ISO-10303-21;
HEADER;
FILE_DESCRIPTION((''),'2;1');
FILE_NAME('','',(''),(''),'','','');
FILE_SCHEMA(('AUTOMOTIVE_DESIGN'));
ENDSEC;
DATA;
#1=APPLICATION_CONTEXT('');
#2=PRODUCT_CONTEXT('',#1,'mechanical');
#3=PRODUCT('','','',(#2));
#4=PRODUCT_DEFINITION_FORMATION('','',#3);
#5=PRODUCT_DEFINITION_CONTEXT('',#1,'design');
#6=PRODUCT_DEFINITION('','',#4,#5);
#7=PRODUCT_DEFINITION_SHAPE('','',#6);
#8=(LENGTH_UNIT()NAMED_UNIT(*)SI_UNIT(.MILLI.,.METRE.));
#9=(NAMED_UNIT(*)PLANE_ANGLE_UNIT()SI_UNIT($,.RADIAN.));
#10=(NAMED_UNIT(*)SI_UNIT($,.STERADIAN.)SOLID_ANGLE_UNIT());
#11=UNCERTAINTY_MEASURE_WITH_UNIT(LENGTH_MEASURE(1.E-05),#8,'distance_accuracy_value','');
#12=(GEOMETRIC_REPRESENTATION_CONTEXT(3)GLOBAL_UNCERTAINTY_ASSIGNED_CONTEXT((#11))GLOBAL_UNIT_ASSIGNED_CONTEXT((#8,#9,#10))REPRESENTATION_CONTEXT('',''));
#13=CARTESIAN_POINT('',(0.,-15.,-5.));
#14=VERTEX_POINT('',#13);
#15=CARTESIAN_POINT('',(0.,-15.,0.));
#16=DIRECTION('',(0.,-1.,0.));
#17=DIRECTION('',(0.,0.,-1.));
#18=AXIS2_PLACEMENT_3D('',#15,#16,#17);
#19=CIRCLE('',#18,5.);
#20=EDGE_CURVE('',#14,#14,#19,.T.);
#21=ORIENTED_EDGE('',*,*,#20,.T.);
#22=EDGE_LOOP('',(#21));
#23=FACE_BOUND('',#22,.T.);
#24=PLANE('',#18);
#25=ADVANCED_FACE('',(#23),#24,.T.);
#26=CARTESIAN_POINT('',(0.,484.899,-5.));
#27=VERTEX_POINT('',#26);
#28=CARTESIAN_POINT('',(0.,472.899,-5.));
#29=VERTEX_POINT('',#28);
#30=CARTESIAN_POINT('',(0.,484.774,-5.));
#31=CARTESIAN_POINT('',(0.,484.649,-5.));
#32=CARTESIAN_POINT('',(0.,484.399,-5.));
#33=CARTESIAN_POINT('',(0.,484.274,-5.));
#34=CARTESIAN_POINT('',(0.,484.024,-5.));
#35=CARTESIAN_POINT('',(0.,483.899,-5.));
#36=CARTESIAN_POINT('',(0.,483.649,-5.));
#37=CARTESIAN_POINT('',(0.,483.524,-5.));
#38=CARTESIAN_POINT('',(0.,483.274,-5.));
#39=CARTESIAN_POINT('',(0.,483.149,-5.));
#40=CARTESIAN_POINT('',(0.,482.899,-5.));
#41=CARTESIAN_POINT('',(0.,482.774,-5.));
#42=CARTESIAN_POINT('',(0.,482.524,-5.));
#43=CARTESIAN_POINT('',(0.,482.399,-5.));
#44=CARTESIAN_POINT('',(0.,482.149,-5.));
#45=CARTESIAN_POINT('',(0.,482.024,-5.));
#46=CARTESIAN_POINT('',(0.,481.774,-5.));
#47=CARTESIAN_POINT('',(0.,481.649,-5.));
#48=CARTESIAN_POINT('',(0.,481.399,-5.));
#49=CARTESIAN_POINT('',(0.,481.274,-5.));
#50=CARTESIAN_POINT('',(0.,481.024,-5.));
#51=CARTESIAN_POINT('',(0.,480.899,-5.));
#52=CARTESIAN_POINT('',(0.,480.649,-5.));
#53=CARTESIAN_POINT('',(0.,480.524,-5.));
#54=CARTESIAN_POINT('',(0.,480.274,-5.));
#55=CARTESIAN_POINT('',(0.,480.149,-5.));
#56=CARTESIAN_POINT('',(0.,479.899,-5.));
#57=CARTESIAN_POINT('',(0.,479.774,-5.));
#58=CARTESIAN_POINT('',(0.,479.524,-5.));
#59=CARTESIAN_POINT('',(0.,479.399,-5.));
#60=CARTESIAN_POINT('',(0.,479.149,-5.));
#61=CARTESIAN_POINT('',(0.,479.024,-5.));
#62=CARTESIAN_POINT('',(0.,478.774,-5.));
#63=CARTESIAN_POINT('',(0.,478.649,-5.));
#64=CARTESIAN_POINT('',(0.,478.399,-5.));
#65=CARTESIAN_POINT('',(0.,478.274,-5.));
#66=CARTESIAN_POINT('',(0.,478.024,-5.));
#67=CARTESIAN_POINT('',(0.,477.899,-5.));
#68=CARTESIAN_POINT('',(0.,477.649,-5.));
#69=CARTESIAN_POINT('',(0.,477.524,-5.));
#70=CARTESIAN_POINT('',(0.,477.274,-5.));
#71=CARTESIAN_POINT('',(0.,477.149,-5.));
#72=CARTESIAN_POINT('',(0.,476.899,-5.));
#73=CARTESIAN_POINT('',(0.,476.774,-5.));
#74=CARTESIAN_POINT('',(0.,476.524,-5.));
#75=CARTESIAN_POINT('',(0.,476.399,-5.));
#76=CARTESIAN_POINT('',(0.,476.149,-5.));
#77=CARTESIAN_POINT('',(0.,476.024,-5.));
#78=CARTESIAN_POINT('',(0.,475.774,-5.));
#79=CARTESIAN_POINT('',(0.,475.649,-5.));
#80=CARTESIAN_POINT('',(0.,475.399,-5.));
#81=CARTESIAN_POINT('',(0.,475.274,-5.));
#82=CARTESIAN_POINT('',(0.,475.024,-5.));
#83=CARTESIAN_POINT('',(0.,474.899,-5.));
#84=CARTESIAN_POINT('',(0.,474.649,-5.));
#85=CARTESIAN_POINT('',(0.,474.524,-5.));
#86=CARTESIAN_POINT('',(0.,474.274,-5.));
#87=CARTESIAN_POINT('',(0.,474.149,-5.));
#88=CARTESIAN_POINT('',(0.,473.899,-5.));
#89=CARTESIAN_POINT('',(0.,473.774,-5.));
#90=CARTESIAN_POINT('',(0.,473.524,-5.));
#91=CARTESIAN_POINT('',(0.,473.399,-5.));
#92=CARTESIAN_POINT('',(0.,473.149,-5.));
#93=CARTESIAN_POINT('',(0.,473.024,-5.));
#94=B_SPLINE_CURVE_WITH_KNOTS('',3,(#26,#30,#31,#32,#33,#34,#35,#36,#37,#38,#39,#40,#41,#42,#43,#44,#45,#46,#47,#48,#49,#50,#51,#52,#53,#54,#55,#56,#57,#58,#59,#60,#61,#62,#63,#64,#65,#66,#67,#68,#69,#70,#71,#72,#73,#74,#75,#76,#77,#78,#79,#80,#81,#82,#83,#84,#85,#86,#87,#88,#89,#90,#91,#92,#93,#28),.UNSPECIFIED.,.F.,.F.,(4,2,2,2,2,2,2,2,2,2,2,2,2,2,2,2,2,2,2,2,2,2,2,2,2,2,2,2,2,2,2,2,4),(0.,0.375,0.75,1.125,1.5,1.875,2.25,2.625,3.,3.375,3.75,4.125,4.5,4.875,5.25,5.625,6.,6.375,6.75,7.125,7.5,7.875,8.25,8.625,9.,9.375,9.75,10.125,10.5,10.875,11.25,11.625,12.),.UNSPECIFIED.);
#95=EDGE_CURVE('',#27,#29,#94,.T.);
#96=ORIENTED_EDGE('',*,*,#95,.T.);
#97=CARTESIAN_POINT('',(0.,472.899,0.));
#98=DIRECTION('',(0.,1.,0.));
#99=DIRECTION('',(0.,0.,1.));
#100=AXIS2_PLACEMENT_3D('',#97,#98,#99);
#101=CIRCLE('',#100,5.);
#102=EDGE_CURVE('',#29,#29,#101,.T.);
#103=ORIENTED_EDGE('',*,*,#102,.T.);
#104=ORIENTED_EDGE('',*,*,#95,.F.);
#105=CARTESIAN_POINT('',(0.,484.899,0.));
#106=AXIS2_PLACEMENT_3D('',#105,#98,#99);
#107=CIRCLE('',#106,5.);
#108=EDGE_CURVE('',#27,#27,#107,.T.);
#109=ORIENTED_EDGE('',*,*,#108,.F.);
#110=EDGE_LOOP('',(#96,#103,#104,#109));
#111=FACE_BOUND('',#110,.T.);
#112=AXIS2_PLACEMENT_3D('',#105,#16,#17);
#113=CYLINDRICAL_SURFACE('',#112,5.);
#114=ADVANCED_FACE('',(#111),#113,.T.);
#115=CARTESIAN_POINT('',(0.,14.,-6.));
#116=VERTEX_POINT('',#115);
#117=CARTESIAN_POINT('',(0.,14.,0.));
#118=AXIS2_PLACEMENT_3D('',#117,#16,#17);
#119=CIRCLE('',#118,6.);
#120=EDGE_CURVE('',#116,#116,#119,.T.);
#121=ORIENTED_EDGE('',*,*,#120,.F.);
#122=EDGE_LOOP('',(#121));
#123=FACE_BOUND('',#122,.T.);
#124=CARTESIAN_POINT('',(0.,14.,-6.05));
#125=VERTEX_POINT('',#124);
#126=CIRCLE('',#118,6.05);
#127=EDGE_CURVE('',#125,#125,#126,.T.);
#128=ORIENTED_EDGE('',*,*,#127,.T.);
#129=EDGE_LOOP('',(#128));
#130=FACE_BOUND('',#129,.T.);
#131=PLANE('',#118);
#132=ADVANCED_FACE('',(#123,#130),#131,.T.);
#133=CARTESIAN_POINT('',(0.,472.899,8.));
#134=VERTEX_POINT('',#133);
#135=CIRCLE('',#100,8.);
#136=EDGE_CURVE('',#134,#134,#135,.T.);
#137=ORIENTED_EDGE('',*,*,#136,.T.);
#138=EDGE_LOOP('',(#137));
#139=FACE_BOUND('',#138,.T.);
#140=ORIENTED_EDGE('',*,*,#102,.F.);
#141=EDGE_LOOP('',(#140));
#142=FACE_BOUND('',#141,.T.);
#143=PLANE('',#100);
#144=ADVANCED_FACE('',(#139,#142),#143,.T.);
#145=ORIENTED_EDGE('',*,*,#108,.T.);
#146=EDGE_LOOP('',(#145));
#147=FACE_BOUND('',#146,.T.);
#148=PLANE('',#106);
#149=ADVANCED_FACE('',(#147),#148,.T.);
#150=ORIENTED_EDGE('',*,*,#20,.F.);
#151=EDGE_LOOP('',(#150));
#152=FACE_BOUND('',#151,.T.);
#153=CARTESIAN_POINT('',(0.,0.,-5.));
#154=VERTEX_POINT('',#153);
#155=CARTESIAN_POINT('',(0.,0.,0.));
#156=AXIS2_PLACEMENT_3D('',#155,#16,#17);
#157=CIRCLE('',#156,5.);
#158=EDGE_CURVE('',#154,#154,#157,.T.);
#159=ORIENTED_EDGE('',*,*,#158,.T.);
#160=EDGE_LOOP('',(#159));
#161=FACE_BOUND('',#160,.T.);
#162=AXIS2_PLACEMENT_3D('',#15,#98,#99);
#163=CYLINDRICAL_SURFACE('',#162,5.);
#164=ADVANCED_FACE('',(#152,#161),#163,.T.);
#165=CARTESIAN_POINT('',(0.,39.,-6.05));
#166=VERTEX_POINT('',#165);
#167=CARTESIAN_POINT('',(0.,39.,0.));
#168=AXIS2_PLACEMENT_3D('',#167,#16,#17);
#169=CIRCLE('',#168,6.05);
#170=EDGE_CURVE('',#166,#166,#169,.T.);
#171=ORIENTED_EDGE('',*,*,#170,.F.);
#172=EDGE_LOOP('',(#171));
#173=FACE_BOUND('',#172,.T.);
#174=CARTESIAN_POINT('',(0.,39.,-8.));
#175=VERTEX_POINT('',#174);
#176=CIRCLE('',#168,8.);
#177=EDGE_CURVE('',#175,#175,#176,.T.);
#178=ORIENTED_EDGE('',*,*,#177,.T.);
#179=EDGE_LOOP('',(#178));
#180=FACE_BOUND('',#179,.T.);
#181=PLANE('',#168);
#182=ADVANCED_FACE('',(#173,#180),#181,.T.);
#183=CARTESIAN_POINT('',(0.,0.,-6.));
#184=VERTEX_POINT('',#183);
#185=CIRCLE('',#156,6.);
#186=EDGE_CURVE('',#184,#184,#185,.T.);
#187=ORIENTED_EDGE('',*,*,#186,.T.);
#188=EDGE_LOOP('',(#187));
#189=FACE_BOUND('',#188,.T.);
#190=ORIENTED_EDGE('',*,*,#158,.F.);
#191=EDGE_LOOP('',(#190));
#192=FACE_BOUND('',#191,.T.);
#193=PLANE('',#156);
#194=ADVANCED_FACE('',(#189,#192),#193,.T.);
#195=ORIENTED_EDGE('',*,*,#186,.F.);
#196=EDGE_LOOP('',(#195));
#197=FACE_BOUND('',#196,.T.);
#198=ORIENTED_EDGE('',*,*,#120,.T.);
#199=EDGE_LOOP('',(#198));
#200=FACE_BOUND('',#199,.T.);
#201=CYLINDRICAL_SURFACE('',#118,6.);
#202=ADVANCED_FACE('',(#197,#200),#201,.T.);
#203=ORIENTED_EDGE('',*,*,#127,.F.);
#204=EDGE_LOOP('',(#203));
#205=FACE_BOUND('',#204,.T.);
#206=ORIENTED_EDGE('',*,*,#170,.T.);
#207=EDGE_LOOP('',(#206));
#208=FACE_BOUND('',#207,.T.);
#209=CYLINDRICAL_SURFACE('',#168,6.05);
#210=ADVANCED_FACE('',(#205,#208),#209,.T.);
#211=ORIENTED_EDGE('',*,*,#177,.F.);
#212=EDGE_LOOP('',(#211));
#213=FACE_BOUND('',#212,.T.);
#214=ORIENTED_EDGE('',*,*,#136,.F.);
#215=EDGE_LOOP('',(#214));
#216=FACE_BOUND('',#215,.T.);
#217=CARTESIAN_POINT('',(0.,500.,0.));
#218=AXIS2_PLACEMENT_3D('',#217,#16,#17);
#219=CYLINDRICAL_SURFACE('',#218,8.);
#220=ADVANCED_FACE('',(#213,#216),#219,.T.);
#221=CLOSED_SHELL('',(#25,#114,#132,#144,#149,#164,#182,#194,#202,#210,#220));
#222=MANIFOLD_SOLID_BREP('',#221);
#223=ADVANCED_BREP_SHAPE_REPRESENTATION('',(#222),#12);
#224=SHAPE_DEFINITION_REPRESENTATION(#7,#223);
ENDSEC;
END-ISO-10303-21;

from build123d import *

# Parameters (mm, degrees)
SKETCH1_R        = 8
EXTRUSION1_DEPTH = 500
SKETCH2_R        = 8
EXTRUSION2_DEPTH = 50
EXTRUSION3_START = 50
SKETCH3_R        = 8
EXTRUSION3_DEPTH = 50
SKETCH4_R        = 8
SKETCH4_R_2      = 6
THREAD1_DEPTH    = 14
SKETCH5_R        = 8
SKETCH5_R_2      = 6.05
EXTRUSION5_DEPTH = 25
SKETCH6_R        = 5
EXTRUSION6_DEPTH = 15
EXTRUSION7_START = -27.101
SKETCH7_R        = 8
EXTRUSION7_DEPTH = 27.101
EXTRUSION8_START = 12
SKETCH8_R        = 5
EXTRUSION8_DEPTH = 12


with BuildPart() as part:
    # Sketch1 → Extrusion1 (new body)
    with BuildSketch(Plane(origin=(0, 0, 0), x_dir=(-1, 0, 0), z_dir=(0, 1, 0))):
        with Locations(Location((0, 0, 0), (0, 0, 90))):
            Circle(SKETCH1_R)
    extrude(amount=EXTRUSION1_DEPTH)

    # Sketch2 → Extrusion2 (cut)
    with BuildSketch(Plane.XZ):
        with Locations(Location((0, 0, 0), (0, 0, 270))):
            Circle(SKETCH2_R)
    extrude(amount=-EXTRUSION2_DEPTH, mode=Mode.SUBTRACT)

    # Sketch3 → Extrusion3 (add)
    with BuildSketch(Plane.XZ.offset(-50).offset(EXTRUSION3_START)):
        with Locations(Location((0, 0, 0), (0, 0, 270))):
            Circle(SKETCH3_R)
    extrude(amount=-EXTRUSION3_DEPTH)

    # Sketch4 → Thread1 (cut)
    with BuildSketch(Plane.XZ):
        with Locations(Location((0, 0, 0), (0, 0, 270))):
            Circle(SKETCH4_R)
        with Locations(Location((0, 0, 0), (0, 0, 270))):
            Circle(SKETCH4_R_2, mode=Mode.SUBTRACT)
    extrude(amount=-THREAD1_DEPTH, mode=Mode.SUBTRACT)

    # Sketch5 → Extrusion5 (cut)
    with BuildSketch(Plane.XZ.offset(-14)):
        with Locations(Location((0, 0, 0), (0, 0, 270))):
            Circle(SKETCH5_R)
        with Locations(Location((0, 0, 0), (0, 0, 270))):
            Circle(SKETCH5_R_2, mode=Mode.SUBTRACT)
    extrude(amount=-EXTRUSION5_DEPTH, mode=Mode.SUBTRACT)

    # Sketch6 → Extrusion6 (add)
    with BuildSketch(Plane.XZ):
        with Locations(Location((0, 0, 0), (0, 0, 270))):
            Circle(SKETCH6_R)
    extrude(amount=EXTRUSION6_DEPTH)

    # Sketch7 → Extrusion7 (cut)
    with BuildSketch(Plane(origin=(0, 500, 0), x_dir=(-1, 0, 0), z_dir=(0, 1, 0)).offset(EXTRUSION7_START)):
        with Locations(Location((0, 0, 0), (0, 0, 270))):
            Circle(SKETCH7_R)
    extrude(amount=EXTRUSION7_DEPTH, mode=Mode.SUBTRACT)

    # Sketch8 → Extrusion8 (add)
    with BuildSketch(Plane(origin=(0, 472.899, 0), x_dir=(-1, 0, 0), z_dir=(0, 1, 0)).offset(EXTRUSION8_START)):
        with Locations(Location((0, 0, 0), (0, 0, 270))):
            Circle(SKETCH8_R)
    extrude(amount=-EXTRUSION8_DEPTH)


solid = part.part
